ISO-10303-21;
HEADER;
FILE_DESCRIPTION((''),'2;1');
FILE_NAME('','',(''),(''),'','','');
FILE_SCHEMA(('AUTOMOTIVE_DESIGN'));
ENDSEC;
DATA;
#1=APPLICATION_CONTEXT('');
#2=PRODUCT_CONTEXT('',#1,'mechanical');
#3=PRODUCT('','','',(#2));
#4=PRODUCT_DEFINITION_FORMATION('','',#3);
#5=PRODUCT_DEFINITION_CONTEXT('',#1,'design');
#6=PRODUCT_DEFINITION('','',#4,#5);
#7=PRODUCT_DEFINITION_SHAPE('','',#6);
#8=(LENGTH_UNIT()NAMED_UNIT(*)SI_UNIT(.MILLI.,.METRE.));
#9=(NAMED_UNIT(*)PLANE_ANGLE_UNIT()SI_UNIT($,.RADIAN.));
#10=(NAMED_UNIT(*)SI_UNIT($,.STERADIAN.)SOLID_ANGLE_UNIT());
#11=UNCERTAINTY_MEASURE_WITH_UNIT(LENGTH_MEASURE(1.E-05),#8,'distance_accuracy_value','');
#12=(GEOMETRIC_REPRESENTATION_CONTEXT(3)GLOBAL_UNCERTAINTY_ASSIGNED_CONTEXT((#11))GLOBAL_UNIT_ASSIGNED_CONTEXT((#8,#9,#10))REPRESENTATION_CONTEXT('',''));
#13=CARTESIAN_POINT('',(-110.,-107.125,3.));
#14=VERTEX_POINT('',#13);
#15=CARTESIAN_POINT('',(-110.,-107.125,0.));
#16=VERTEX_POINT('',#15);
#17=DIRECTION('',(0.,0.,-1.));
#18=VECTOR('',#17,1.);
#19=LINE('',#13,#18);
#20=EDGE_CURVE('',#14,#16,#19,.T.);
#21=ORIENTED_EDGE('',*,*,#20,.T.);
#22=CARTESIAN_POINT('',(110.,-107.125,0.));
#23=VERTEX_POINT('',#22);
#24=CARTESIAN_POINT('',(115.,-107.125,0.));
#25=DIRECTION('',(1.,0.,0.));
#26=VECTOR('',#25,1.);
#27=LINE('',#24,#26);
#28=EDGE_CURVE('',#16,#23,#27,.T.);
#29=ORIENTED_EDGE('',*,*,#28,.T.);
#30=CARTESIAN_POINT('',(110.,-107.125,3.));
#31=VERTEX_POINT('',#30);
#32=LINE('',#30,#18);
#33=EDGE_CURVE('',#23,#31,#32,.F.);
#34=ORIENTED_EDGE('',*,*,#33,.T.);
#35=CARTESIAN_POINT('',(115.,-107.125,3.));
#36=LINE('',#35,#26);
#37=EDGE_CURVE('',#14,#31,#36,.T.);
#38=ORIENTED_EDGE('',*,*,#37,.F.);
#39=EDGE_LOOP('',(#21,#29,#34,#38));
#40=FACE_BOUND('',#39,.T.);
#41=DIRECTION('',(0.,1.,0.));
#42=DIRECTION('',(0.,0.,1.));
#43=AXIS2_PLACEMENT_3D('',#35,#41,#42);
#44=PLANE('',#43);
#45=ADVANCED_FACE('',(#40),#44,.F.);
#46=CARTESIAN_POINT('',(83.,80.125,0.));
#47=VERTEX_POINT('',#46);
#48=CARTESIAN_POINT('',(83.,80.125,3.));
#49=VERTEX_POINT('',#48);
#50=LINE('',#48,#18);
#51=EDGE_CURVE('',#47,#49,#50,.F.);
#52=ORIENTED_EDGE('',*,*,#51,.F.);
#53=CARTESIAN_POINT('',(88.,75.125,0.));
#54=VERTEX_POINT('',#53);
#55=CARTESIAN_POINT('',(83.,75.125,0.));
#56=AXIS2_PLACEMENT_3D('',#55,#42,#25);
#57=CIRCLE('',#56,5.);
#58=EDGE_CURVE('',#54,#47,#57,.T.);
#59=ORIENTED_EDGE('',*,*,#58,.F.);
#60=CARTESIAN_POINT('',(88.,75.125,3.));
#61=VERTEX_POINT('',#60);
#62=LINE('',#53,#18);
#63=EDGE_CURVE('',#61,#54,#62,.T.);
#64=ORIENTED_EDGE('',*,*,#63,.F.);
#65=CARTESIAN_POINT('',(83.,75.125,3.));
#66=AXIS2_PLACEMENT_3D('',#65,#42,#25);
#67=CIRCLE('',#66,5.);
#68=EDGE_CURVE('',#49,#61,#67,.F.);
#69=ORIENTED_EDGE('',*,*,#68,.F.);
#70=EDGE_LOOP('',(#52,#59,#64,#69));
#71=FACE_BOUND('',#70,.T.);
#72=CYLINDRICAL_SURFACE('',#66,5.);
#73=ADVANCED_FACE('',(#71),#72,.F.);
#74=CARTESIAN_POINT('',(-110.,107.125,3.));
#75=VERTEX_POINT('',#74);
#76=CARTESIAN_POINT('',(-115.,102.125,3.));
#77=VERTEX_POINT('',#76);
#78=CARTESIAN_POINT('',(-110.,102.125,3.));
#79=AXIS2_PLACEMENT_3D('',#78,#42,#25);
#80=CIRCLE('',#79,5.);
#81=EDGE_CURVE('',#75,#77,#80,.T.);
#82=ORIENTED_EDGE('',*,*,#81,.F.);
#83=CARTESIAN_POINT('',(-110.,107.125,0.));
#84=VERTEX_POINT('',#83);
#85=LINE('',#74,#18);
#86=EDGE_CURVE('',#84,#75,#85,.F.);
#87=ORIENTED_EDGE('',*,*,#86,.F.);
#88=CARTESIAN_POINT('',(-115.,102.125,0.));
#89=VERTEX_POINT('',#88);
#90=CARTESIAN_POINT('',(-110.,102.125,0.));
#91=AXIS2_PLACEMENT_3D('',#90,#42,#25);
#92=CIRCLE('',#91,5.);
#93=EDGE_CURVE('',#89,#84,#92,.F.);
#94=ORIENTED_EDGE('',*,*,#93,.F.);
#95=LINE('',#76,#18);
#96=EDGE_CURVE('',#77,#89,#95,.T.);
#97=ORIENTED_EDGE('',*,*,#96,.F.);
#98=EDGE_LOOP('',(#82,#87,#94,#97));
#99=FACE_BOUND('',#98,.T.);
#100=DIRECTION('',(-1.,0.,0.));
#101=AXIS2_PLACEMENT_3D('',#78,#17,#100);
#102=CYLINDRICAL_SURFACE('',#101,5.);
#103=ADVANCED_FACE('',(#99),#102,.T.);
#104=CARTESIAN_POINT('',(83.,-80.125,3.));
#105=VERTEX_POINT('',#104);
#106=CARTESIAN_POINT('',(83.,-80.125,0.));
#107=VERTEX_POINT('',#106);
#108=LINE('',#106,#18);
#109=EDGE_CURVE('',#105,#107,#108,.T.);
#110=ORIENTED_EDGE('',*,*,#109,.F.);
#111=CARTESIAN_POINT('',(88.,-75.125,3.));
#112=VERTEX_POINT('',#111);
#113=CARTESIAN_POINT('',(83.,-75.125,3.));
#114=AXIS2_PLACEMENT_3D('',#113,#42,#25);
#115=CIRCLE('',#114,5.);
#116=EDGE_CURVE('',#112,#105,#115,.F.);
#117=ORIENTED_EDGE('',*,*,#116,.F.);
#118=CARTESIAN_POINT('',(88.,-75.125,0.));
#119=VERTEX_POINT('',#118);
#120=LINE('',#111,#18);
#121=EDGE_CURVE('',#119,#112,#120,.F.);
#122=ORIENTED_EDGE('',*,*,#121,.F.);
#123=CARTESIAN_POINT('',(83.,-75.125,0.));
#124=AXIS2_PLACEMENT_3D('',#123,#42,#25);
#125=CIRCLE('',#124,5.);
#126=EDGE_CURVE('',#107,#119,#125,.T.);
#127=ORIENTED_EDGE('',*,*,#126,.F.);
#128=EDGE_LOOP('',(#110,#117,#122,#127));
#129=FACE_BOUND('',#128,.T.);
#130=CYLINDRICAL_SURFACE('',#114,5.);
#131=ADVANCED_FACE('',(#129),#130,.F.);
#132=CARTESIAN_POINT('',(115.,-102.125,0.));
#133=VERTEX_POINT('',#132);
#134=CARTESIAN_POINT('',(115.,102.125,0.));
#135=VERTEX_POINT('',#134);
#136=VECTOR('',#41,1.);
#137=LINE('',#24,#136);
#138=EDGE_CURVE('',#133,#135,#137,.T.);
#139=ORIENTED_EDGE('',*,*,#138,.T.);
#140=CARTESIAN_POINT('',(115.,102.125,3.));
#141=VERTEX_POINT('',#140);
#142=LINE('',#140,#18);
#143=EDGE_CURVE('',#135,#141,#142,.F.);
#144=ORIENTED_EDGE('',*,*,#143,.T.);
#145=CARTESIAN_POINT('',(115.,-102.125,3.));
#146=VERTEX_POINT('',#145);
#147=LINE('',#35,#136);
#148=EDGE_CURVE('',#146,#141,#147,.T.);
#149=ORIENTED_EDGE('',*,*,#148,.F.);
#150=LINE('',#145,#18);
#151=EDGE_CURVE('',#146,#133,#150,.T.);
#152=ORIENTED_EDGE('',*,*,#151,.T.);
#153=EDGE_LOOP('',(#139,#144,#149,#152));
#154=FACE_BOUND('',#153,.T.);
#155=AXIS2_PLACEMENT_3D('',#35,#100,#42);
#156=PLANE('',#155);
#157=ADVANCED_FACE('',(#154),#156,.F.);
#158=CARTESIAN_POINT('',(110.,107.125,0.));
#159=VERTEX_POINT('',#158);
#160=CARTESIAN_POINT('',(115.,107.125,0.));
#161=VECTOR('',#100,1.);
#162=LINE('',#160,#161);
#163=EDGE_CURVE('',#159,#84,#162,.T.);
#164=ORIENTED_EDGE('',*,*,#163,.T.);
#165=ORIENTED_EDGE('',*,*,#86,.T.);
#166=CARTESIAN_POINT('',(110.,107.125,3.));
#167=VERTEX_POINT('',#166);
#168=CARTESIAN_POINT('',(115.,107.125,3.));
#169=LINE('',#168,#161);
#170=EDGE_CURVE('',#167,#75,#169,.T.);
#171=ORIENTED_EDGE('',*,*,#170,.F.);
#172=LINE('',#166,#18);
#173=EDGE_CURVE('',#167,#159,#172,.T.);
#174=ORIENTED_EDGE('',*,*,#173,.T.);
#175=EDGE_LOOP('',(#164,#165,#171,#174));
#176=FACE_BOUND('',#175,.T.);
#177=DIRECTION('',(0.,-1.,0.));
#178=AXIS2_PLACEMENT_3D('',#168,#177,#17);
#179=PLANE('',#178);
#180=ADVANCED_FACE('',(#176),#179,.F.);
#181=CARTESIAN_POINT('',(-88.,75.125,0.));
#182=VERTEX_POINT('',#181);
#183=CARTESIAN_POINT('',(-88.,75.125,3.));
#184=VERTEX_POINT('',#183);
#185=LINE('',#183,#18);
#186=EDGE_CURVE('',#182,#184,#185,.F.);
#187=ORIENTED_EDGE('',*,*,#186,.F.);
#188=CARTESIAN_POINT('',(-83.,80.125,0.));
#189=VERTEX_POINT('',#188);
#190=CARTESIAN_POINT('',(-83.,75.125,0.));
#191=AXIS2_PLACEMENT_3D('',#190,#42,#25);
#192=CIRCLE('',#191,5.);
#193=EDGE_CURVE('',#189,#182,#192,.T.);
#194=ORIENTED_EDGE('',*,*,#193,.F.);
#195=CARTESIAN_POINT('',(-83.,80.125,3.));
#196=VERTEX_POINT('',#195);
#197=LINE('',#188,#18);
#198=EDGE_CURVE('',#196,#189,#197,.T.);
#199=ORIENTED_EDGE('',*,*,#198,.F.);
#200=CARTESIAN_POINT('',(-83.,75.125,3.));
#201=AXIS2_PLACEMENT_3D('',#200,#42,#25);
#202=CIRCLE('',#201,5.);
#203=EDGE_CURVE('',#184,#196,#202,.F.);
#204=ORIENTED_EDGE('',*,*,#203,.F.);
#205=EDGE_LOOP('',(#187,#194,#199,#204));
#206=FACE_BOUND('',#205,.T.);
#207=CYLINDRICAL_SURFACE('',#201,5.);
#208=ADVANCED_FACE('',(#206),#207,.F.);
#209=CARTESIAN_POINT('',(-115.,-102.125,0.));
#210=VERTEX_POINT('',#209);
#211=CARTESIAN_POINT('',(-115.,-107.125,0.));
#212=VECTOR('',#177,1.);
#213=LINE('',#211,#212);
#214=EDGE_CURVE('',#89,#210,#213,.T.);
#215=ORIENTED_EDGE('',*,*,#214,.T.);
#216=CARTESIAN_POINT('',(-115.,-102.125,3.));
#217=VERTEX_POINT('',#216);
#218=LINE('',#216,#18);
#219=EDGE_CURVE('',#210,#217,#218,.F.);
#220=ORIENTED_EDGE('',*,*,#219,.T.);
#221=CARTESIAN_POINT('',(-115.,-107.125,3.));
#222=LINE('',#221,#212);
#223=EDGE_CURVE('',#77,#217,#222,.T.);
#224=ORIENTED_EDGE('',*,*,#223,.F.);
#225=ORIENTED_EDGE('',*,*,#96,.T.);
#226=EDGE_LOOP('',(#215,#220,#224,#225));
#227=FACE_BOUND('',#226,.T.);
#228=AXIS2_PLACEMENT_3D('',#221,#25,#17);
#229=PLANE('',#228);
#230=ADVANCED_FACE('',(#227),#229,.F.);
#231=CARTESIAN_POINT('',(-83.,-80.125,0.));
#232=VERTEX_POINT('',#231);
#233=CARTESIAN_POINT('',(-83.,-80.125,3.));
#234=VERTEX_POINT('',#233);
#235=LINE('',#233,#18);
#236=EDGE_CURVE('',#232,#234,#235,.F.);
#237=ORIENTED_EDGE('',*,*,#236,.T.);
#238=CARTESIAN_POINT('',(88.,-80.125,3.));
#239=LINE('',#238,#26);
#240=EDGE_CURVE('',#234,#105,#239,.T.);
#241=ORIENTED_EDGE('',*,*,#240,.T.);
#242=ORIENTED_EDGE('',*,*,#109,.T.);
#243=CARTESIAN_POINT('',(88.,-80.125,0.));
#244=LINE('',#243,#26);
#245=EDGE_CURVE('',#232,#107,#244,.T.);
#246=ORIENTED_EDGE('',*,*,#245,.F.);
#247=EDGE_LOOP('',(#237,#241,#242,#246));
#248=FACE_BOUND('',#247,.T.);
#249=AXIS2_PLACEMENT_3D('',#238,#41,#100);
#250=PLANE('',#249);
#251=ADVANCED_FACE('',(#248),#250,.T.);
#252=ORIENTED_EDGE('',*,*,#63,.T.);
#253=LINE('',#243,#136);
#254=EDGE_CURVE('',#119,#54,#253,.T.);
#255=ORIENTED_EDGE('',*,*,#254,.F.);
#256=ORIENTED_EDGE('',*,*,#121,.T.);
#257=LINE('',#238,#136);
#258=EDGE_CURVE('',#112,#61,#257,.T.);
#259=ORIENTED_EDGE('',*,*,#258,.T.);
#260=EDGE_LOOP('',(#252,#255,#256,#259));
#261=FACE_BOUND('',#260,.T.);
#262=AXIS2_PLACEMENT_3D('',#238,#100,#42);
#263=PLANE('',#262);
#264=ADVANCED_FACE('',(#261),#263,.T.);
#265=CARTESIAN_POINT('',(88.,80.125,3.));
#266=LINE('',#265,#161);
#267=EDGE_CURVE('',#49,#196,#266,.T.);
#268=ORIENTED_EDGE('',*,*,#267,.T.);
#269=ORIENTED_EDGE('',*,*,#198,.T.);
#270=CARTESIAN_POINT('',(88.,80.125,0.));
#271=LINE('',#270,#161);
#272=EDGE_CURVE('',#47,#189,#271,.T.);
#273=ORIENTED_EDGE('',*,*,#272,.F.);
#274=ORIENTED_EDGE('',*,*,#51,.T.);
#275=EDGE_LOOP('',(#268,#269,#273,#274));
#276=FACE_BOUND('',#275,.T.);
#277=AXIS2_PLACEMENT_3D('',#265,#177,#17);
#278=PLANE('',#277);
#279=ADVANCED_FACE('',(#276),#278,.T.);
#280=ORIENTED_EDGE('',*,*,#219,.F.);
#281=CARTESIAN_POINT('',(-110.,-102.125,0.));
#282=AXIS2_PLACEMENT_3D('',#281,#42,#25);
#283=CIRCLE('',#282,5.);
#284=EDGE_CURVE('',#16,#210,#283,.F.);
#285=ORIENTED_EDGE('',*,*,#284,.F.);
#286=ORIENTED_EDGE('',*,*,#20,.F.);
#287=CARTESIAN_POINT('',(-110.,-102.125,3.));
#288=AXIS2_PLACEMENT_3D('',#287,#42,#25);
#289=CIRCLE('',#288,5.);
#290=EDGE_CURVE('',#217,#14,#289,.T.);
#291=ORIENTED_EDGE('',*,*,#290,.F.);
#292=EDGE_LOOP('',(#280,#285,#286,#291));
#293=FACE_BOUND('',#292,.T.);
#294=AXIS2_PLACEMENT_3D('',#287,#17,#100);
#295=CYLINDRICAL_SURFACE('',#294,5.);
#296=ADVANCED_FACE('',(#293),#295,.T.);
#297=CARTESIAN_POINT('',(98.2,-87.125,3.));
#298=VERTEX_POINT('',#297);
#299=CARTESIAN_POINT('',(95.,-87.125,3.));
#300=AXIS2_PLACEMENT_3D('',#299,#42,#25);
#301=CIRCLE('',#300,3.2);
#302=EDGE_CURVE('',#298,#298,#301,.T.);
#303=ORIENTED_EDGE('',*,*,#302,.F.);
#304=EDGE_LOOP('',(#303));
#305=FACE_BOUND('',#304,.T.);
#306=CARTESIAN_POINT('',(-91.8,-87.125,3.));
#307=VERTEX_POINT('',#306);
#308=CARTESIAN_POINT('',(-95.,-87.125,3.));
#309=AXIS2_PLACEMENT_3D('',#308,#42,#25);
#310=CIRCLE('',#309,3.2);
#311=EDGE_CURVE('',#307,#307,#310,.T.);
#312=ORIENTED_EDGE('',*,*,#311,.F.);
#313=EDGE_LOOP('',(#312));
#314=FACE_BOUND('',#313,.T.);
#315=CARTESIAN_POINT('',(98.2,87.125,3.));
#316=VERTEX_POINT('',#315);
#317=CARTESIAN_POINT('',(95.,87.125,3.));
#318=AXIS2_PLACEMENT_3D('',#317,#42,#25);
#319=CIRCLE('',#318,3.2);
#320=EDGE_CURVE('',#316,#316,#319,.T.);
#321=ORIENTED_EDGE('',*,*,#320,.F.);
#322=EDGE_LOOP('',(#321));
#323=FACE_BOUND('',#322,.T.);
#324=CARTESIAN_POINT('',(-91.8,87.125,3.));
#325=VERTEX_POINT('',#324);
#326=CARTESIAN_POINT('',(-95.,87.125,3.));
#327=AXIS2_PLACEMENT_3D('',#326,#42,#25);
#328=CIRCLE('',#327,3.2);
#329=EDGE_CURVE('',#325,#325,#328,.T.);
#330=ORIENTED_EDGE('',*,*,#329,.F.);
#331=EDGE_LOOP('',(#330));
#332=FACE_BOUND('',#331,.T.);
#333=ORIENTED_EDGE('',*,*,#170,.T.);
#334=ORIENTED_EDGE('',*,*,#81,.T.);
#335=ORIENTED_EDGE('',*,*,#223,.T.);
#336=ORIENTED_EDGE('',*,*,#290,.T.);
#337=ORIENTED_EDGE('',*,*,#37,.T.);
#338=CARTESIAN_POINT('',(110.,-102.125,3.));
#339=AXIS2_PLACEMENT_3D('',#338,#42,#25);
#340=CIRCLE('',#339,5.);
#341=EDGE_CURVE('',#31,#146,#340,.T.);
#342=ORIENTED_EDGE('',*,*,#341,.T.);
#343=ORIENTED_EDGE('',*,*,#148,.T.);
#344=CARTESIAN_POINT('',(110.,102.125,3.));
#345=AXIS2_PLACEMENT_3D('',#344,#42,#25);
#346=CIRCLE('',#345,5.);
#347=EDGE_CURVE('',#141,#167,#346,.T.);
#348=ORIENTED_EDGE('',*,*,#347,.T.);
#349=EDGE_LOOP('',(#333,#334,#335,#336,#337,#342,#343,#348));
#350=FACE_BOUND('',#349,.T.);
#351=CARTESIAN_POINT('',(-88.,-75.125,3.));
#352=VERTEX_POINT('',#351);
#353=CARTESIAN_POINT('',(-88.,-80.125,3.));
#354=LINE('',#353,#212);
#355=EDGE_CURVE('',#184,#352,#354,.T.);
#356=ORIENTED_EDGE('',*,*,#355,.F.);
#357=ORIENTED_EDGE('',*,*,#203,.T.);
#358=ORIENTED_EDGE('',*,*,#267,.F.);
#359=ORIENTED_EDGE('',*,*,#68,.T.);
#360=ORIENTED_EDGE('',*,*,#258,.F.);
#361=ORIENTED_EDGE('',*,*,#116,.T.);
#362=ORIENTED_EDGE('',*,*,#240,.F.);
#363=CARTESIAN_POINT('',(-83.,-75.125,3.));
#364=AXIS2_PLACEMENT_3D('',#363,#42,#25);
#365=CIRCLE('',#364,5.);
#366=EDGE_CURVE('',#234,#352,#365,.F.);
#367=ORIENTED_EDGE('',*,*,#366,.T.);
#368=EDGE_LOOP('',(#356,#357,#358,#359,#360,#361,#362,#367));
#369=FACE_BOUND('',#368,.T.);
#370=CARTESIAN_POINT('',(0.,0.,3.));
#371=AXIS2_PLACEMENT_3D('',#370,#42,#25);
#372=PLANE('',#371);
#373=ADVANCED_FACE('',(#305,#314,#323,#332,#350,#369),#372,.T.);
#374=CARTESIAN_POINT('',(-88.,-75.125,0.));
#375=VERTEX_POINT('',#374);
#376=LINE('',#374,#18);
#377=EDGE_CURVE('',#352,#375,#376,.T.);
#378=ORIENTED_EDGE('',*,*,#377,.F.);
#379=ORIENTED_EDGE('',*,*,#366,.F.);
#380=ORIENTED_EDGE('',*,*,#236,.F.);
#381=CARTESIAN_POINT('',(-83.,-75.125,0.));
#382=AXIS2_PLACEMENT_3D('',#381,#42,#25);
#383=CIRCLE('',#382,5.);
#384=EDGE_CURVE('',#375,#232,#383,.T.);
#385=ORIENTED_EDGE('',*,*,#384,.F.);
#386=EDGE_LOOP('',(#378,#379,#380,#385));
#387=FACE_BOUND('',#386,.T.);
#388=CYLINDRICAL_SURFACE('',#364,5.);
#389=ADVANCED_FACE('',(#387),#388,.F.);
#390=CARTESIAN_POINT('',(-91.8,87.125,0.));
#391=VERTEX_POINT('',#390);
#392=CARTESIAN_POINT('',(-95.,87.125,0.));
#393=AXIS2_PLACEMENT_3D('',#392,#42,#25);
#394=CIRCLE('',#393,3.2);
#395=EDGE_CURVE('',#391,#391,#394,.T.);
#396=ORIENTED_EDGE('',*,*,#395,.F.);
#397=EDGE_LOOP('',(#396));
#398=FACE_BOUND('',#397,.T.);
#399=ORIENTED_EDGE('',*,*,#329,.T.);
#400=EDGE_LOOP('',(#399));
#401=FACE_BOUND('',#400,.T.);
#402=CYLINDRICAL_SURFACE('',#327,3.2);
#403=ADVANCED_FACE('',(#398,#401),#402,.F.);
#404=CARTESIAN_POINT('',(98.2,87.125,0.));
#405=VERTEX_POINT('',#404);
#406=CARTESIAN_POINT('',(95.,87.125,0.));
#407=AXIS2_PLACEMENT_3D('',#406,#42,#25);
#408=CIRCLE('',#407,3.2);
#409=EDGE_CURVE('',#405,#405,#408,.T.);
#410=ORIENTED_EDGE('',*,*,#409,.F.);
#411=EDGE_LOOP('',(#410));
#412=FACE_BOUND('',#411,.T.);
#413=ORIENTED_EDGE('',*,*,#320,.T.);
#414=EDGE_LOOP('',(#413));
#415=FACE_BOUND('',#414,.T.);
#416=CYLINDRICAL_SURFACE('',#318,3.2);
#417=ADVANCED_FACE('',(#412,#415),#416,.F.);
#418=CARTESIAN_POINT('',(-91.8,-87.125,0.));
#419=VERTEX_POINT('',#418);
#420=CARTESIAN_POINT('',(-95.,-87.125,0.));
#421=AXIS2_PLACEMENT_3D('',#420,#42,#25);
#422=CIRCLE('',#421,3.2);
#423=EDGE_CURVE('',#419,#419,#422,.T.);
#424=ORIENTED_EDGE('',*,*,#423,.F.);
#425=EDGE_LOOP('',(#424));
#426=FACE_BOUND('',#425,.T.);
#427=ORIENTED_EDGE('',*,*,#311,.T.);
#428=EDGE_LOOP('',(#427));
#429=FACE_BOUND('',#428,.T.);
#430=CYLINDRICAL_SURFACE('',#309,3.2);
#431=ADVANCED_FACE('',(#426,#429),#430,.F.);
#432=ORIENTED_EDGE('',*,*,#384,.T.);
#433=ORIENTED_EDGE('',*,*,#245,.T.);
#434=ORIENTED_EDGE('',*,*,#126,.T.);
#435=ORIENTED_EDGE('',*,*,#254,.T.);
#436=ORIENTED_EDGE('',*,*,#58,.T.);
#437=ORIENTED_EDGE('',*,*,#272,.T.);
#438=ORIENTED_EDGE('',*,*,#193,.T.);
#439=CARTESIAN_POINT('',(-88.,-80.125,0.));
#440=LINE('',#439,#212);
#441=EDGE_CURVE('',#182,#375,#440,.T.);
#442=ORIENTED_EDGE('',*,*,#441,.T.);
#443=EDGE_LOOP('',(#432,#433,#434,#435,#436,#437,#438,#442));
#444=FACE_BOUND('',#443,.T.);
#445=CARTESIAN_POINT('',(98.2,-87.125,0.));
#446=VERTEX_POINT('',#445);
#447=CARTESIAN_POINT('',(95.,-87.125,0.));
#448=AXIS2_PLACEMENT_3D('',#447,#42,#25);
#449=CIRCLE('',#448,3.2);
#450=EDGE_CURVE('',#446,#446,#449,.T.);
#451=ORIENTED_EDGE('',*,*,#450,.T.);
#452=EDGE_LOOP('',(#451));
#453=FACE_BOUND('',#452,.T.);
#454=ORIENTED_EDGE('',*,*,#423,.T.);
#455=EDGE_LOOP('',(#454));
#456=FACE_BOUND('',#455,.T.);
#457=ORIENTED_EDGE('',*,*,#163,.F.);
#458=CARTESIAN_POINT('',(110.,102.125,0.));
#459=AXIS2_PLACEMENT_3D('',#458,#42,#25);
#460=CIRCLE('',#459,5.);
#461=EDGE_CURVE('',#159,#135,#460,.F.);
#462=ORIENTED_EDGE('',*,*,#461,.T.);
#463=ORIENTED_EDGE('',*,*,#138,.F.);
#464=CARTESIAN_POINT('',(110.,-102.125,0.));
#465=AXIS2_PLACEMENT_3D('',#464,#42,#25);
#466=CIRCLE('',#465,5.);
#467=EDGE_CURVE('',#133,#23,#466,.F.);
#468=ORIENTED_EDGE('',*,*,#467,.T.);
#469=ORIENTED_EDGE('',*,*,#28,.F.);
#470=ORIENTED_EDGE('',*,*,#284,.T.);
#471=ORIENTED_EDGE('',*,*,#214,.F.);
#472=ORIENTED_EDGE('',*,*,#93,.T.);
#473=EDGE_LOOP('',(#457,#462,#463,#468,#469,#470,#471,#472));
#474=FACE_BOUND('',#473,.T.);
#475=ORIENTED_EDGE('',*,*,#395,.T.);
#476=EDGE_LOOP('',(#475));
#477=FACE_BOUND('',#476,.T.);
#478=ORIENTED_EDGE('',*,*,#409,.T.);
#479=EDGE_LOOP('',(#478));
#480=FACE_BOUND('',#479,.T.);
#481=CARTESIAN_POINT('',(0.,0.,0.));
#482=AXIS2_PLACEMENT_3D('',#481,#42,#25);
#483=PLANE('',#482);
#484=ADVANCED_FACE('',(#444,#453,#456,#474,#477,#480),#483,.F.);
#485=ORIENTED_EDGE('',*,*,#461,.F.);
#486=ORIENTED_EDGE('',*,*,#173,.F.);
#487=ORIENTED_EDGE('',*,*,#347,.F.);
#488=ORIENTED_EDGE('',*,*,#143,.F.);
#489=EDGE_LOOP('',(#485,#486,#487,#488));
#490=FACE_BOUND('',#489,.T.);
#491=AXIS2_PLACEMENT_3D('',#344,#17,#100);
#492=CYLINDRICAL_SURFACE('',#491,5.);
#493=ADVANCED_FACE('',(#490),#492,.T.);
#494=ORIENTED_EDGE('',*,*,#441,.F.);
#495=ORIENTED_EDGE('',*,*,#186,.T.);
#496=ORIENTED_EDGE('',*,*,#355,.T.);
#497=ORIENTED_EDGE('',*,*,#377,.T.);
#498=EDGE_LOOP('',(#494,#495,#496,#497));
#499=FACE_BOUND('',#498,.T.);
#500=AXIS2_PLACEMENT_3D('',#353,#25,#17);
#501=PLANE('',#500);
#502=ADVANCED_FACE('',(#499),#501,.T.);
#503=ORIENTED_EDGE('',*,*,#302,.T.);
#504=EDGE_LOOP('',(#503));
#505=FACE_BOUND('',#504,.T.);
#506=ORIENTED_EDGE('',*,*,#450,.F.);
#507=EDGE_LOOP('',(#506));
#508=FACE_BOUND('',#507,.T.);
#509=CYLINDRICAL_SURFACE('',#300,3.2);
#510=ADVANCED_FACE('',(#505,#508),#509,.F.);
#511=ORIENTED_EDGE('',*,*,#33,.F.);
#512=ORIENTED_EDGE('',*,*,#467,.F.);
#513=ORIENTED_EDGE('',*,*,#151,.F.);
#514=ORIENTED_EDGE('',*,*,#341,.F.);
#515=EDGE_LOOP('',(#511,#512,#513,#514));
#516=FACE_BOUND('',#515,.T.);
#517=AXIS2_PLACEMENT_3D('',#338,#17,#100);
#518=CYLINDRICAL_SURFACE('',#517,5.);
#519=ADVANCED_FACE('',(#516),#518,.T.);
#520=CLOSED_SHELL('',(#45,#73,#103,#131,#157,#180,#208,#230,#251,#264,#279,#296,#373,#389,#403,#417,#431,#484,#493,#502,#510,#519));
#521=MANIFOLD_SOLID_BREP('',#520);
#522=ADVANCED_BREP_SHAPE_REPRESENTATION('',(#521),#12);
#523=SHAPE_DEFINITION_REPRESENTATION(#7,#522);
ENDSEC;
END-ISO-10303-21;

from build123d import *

# Parameters (mm, degrees)
SKETCH_1_W                  = 230
SKETCH_1_H                  = 214.25
SKETCH_1_W_2                = 176
SKETCH_1_H_2                = 160.25
EXTRUDE_1_DEPTH             = 3
FILLET_1_R                  = 5
HOLE_WIZARD_6_4_6_4_1_D     = 6.4
HOLE_WIZARD_6_4_6_4_1_DEPTH = 3


with BuildPart() as part:
    # 草图1 → 凸台-拉伸1 (new body)
    with BuildSketch(Plane.XY):
        Rectangle(SKETCH_1_W, SKETCH_1_H)
        Rectangle(SKETCH_1_W_2, SKETCH_1_H_2, mode=Mode.SUBTRACT)
    extrude(amount=EXTRUDE_1_DEPTH)

    # 圆角1
    fillet_1_edges = [part.edges().sort_by_distance(p)[0] for p in [
        (-88, 80.125, 1.5),
        (-88, -80.125, 1.5),
        (88, -80.125, 1.5),
        (88, 80.125, 1.5),
        (-115, 107.125, 1.5),
        (115, 107.125, 1.5),
        (115, -107.125, 1.5),
        (-115, -107.125, 1.5),
    ]]
    fillet(fillet_1_edges, radius=FILLET_1_R)

    # Ø6.4 (6.4) 直径孔1
    with Locations(Plane.XY.offset(3)):
        with Locations((-95, 87.125), (95, 87.125), (95, -87.125), (-95, -87.125)):
            Hole(HOLE_WIZARD_6_4_6_4_1_D / 2, depth=HOLE_WIZARD_6_4_6_4_1_DEPTH)


solid = part.part
